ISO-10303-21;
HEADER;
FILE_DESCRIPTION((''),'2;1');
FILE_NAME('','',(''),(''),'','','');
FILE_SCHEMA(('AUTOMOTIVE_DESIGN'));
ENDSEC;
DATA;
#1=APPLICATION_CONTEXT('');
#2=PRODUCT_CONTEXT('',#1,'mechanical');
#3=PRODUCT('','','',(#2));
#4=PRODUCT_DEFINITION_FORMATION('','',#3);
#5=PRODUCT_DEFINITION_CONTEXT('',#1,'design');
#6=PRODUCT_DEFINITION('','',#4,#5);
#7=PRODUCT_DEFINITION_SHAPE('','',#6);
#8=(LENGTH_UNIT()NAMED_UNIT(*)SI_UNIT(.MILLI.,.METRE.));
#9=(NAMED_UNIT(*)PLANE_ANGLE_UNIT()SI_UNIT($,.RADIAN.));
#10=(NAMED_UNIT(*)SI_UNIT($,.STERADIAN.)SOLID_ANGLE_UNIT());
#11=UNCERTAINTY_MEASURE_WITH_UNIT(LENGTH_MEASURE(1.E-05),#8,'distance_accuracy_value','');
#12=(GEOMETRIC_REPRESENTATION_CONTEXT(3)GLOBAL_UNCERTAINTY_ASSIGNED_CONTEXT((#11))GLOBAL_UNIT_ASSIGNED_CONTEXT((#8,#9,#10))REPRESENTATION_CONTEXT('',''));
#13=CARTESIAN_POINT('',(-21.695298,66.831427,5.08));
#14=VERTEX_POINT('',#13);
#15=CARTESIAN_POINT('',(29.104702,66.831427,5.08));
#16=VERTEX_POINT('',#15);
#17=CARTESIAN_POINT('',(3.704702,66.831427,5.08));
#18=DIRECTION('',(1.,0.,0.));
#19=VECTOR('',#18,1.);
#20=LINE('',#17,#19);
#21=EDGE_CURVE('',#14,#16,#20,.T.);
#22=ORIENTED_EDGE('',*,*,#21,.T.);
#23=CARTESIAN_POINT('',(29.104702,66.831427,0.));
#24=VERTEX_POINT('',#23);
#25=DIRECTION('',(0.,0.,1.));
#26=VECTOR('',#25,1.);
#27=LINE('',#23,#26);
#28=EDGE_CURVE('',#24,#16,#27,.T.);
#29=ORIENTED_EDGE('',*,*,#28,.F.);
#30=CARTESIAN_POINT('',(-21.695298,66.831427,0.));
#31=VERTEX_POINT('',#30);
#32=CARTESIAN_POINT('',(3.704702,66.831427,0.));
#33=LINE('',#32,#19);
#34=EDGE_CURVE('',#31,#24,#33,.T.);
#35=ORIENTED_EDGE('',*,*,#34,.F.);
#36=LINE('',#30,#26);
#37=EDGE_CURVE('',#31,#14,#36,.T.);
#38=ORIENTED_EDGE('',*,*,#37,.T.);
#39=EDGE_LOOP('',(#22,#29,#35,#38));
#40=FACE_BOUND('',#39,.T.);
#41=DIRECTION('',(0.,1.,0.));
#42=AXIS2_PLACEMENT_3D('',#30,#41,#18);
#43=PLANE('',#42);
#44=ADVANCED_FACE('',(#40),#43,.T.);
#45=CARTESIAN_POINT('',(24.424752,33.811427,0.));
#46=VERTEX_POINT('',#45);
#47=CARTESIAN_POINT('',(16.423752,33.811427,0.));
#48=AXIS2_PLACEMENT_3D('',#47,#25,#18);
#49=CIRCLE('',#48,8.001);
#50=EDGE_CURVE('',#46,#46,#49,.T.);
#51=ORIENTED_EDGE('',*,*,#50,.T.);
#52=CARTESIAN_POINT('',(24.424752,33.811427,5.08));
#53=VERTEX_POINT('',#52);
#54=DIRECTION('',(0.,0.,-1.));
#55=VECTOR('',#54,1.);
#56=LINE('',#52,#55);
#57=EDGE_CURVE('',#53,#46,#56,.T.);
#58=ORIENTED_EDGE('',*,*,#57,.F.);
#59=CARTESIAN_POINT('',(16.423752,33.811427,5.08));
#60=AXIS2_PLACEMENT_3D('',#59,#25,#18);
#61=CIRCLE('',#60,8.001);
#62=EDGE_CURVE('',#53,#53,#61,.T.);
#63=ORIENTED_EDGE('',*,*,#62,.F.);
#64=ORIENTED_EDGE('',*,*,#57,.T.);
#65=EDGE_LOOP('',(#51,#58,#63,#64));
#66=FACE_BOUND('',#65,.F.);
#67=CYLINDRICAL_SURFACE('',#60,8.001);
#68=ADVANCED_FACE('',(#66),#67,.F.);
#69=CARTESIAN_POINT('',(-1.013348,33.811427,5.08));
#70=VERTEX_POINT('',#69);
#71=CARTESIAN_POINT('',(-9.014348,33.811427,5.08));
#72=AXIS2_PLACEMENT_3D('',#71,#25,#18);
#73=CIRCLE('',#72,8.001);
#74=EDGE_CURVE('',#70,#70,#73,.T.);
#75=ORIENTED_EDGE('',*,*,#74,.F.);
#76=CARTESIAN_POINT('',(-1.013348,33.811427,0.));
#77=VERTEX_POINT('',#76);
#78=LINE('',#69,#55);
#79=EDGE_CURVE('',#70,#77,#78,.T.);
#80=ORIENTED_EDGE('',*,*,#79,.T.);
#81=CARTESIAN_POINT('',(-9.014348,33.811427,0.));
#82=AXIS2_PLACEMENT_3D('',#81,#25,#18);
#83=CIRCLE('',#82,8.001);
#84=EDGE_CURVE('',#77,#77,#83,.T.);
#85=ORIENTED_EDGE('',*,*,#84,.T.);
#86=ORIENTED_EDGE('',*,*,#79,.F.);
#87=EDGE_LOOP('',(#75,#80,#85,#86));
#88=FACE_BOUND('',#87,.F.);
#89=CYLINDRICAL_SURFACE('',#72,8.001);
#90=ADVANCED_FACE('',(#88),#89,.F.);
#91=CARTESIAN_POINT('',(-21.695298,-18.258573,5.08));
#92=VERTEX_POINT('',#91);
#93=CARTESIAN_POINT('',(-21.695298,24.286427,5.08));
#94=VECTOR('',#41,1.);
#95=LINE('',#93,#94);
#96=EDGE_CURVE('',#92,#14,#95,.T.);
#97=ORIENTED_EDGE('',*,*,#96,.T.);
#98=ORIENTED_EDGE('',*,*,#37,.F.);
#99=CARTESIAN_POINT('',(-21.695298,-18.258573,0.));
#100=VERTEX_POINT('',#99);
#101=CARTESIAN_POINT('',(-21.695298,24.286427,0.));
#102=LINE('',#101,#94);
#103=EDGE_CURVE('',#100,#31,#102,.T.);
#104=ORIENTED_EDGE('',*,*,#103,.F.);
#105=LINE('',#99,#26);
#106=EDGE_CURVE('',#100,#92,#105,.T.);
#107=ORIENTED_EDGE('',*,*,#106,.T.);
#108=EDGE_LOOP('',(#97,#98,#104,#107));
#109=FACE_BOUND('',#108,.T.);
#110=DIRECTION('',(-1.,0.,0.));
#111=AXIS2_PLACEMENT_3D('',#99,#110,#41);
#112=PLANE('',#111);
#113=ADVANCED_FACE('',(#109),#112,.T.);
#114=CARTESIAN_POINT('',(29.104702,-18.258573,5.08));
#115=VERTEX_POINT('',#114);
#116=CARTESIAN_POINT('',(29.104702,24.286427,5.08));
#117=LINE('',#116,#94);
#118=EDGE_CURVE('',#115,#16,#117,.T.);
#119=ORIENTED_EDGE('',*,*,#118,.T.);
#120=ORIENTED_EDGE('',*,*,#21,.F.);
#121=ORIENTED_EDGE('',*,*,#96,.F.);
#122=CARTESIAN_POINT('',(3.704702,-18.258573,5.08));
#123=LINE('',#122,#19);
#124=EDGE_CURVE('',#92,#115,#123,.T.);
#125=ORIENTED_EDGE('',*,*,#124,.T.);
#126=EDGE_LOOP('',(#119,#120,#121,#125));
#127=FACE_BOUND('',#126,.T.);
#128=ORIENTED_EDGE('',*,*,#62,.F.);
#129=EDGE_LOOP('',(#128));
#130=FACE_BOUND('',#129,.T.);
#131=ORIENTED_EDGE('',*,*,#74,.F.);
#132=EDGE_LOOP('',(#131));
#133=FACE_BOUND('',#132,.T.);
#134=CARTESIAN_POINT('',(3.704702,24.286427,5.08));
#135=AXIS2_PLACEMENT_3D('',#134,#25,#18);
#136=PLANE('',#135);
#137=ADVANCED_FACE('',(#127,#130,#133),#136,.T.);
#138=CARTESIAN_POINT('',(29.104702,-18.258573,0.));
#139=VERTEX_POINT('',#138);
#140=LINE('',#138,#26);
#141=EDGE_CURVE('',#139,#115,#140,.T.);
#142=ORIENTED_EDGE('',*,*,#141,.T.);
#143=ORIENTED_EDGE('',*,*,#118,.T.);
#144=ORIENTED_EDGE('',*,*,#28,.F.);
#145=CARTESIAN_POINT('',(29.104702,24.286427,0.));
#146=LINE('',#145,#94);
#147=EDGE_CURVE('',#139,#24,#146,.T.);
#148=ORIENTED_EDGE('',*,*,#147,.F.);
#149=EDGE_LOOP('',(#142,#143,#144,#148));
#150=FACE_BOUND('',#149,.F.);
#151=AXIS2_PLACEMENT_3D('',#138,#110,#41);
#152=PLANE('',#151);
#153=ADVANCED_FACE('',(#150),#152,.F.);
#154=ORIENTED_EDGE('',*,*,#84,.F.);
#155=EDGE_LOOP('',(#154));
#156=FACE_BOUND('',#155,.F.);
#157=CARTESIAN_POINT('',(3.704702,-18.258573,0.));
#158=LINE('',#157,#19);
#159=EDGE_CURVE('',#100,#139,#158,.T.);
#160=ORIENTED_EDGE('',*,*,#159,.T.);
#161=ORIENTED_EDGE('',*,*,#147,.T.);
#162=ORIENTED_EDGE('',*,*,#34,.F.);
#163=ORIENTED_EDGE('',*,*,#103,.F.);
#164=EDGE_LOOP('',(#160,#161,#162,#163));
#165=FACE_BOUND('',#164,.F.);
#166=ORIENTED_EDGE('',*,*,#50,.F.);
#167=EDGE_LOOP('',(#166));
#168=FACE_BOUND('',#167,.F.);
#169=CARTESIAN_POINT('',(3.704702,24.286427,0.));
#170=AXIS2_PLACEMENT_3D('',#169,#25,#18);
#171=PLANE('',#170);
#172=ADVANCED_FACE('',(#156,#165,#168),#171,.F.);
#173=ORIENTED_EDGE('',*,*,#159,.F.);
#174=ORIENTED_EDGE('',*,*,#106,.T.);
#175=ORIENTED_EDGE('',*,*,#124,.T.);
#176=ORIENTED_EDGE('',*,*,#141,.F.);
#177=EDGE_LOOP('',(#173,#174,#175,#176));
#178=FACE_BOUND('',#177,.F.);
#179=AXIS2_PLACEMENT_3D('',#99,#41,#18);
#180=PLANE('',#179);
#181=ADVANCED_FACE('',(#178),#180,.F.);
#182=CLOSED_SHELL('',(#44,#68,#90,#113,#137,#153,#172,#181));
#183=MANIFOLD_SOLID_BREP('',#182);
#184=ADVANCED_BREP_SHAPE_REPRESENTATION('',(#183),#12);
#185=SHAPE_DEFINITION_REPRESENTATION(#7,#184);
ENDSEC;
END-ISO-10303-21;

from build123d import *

# Parameters (mm, degrees)
F0_W     = 50.8
F0_H     = 85.09
F1_DEPTH = 5.08
F2_R     = 8.001
F3_DEPTH = 25.4


with BuildPart() as f1:
    # F0 (on Top) → F1 (new body)
    with BuildSketch(Plane.XY):
        with Locations((3.704702, 24.286427)):
            Rectangle(F0_W, F0_H)
    extrude(amount=F1_DEPTH)

    # F2 (on face) → F3 (cut)
    with BuildSketch(Plane.XY.offset(5.08)):
        with Locations((16.423752, 33.811427)):
            Circle(F2_R)
        with Locations((-9.014348, 33.811427)):
            Circle(F2_R)
    extrude(amount=-F3_DEPTH, mode=Mode.SUBTRACT)


solid = f1.part
